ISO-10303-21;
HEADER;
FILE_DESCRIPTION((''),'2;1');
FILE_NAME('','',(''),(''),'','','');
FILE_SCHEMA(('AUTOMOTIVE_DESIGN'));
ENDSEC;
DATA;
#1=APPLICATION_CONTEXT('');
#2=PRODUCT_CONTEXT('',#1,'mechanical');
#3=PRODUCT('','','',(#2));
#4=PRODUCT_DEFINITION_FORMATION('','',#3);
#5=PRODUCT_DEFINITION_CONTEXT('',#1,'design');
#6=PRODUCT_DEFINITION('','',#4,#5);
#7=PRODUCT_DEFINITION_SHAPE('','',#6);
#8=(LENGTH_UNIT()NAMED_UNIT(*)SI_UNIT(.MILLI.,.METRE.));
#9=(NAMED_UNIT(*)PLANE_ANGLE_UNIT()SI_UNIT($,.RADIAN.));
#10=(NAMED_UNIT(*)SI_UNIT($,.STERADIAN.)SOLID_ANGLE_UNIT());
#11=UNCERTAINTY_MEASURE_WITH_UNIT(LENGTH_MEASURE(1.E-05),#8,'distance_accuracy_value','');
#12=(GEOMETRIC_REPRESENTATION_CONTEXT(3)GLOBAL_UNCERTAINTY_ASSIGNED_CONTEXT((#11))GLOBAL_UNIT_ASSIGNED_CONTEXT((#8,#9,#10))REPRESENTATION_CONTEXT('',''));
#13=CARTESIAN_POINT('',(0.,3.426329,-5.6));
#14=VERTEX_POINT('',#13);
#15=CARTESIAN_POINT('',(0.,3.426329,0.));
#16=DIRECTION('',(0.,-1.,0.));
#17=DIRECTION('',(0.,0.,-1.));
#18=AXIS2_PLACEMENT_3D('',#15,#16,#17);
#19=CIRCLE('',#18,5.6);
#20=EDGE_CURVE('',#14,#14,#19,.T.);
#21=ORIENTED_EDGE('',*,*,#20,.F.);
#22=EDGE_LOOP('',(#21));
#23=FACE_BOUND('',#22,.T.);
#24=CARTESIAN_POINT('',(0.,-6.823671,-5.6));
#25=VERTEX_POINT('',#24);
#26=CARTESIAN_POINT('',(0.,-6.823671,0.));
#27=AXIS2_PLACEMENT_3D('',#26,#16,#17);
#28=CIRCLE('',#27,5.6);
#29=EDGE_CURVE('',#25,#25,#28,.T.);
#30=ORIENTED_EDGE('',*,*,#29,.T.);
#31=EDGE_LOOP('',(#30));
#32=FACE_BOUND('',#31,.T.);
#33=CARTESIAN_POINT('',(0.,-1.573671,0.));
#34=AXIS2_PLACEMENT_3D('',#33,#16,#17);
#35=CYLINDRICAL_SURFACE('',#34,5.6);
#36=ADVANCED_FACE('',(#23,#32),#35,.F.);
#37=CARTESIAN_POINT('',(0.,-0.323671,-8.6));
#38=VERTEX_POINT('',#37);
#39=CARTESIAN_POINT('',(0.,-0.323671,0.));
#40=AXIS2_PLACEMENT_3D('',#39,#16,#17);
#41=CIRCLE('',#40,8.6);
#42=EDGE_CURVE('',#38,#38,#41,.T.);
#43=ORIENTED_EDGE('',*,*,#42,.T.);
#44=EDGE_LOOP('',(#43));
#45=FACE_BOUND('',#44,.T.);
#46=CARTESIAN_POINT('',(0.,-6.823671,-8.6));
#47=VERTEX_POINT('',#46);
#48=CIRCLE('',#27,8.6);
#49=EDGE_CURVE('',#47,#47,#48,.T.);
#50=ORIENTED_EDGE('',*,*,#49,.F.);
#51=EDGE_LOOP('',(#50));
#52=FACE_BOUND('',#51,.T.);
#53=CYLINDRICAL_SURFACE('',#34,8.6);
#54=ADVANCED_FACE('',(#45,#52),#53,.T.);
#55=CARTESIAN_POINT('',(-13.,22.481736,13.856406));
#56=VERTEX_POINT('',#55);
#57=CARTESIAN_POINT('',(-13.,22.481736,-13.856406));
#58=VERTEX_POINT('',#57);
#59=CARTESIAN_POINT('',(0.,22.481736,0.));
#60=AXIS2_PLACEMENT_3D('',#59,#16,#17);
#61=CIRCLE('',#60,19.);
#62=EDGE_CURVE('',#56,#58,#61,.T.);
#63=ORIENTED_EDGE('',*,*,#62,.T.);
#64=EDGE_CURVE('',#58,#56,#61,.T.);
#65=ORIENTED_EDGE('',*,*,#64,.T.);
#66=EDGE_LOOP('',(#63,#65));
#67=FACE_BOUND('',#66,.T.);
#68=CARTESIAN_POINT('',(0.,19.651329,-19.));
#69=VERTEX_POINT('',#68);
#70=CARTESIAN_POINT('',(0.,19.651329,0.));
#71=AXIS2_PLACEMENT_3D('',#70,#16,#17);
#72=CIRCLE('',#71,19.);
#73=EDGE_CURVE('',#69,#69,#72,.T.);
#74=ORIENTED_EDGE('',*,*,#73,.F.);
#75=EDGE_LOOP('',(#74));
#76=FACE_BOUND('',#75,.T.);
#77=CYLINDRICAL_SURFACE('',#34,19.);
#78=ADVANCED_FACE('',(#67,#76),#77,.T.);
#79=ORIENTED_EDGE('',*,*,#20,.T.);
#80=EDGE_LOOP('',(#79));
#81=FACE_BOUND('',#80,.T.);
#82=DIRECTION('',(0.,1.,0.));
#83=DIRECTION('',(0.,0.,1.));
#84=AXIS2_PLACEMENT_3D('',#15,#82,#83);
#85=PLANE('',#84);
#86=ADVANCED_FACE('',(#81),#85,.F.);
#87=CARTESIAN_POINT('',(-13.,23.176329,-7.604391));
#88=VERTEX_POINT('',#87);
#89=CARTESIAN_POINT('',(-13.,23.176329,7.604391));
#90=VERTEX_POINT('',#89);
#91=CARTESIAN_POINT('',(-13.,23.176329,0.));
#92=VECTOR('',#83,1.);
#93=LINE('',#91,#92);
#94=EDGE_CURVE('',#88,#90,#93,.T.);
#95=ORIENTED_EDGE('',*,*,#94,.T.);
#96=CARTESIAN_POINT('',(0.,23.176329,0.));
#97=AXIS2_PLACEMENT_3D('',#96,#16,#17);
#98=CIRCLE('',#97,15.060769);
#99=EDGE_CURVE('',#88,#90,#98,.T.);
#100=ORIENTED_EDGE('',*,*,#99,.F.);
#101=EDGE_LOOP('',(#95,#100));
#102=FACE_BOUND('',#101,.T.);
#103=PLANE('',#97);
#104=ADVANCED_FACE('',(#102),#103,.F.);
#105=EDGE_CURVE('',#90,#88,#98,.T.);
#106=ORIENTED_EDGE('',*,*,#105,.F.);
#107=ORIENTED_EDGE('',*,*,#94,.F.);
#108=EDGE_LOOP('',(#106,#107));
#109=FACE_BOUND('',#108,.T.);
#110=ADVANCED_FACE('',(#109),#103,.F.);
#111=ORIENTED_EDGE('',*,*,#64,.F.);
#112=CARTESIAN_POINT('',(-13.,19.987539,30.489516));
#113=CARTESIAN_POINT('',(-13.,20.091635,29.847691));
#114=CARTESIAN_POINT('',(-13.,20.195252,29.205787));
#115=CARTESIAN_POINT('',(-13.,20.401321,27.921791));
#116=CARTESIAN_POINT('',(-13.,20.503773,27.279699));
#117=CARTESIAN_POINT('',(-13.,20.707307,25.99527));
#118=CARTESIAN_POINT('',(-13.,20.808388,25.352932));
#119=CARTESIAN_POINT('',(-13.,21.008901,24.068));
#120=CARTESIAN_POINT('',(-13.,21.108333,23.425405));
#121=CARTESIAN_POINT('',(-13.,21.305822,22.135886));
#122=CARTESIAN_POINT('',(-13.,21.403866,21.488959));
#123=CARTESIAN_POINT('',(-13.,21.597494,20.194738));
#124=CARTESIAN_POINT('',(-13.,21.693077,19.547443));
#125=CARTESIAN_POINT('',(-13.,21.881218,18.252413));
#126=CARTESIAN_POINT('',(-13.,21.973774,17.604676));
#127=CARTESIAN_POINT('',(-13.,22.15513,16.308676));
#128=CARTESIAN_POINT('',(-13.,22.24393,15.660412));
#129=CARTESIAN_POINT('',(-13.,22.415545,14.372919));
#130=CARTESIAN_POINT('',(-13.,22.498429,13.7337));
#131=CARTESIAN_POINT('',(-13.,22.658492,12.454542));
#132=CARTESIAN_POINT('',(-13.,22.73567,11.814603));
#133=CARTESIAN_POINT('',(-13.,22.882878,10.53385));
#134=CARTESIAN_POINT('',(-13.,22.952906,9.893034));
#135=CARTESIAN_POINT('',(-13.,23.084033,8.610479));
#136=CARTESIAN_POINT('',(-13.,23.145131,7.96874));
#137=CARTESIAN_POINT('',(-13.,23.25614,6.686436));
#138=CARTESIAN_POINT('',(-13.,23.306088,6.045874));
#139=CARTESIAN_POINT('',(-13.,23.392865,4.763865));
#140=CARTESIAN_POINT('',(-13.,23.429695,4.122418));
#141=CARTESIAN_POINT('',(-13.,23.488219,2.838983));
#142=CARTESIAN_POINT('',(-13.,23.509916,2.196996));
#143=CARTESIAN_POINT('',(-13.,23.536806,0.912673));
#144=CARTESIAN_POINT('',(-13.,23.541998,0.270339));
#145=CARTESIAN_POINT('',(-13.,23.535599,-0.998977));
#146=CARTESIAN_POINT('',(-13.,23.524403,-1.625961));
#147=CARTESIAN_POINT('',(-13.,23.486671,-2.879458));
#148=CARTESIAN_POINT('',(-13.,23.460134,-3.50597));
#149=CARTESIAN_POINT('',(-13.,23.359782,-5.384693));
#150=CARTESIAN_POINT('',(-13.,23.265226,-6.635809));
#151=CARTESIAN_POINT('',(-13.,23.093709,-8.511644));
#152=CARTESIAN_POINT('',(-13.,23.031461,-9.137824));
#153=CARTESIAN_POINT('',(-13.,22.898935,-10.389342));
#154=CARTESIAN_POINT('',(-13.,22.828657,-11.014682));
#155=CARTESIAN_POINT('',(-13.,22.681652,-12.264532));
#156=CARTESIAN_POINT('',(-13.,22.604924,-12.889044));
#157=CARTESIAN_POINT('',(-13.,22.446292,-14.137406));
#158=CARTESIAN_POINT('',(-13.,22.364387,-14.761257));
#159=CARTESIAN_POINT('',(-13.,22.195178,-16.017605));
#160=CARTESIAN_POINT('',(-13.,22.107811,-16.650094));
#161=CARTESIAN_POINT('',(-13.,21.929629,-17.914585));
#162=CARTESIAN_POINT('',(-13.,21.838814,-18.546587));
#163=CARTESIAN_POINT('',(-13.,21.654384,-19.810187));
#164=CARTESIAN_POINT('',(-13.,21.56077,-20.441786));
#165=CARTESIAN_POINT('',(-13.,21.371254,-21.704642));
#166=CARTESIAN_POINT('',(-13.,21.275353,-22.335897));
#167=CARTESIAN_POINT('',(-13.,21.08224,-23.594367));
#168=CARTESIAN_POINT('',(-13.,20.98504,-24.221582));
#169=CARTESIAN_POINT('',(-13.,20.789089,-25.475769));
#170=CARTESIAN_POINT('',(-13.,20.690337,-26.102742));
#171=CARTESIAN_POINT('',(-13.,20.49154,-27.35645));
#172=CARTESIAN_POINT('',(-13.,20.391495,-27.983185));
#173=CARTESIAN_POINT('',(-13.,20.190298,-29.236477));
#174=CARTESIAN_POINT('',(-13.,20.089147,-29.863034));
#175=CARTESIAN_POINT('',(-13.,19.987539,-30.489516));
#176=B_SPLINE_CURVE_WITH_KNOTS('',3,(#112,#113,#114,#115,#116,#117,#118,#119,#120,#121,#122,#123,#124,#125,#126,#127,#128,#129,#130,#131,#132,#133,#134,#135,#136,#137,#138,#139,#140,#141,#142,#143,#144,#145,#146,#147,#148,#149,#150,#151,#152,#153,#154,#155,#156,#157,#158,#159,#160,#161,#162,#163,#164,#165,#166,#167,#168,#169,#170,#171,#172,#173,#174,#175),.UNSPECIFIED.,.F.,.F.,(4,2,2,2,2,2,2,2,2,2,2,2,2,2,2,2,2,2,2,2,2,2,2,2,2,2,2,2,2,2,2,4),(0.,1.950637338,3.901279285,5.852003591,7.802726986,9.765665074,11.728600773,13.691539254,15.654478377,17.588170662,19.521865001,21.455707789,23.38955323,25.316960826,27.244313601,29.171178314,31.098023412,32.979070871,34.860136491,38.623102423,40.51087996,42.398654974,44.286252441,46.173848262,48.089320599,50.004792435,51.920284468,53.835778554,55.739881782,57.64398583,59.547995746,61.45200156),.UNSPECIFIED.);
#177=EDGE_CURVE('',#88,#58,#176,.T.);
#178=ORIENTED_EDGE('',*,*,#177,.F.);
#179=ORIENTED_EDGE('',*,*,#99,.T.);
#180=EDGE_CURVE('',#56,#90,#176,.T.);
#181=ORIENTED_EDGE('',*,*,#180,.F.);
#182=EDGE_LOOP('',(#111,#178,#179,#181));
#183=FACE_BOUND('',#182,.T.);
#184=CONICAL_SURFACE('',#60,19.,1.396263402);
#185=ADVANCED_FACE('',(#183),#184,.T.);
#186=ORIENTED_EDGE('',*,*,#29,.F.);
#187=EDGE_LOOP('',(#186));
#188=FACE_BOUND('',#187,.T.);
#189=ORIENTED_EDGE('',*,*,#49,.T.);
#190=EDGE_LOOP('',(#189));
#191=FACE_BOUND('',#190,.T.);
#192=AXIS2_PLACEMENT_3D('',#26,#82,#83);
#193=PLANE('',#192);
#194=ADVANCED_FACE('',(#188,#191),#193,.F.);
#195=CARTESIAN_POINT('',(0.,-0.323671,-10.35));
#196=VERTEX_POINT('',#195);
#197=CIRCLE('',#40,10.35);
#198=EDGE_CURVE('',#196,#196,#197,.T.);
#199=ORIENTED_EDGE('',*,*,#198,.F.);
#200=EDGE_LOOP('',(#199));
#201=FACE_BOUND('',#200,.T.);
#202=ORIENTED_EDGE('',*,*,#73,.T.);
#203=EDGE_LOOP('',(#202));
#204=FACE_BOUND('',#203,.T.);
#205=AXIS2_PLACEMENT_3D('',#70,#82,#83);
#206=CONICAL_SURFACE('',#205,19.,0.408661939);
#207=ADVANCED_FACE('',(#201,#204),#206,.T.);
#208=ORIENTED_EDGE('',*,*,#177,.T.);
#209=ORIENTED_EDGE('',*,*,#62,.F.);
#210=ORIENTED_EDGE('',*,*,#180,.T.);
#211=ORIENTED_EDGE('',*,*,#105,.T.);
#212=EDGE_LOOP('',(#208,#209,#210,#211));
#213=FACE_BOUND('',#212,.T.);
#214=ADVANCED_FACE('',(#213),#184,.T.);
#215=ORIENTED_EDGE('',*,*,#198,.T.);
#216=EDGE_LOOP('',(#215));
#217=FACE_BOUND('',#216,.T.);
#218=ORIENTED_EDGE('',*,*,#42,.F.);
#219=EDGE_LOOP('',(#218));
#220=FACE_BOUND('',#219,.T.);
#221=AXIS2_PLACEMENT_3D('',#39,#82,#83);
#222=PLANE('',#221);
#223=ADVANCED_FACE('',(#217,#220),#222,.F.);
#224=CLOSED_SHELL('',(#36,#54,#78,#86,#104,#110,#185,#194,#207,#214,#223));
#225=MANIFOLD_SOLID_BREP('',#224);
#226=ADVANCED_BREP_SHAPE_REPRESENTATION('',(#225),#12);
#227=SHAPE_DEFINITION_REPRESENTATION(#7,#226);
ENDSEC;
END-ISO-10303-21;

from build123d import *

# Parameters (mm, degrees)
SKETCH3_R          = 3
CUT_EXTRUDE1_DEPTH = 5


with BuildPart() as part:
    # Sketch1 → Revolve1 (revolve)
    with BuildSketch(Plane.XY, mode=Mode.PRIVATE) as revolve1_sk:
        Polygon((-15.060768988, 23.176328976), (-19, 22.481736265), (-19, 19.651328976), (-10.35, -0.323671024), (-8.6, -0.323671024), (-8.6, -6.823671024), (-5.6, -6.823671024), (-5.6, 3.426328976), (-3, 3.426328976), (-3, -1.573671024), (0, -1.573671024), (0, 23.176328976), align=None)
    revolve(revolve1_sk.sketch.rotate(Axis((0, -1.573671024, 0), (0, 1, 0)), 270), axis=Axis((0, -1.573671024, 0), (0, 1, 0)))

    # Sketch3 → Cut-Extrude1 (cut)
    with BuildSketch(Plane.XZ.offset(1.573671024)):
        Circle(SKETCH3_R)
    extrude(amount=-CUT_EXTRUDE1_DEPTH, mode=Mode.SUBTRACT)


solid = part.part
